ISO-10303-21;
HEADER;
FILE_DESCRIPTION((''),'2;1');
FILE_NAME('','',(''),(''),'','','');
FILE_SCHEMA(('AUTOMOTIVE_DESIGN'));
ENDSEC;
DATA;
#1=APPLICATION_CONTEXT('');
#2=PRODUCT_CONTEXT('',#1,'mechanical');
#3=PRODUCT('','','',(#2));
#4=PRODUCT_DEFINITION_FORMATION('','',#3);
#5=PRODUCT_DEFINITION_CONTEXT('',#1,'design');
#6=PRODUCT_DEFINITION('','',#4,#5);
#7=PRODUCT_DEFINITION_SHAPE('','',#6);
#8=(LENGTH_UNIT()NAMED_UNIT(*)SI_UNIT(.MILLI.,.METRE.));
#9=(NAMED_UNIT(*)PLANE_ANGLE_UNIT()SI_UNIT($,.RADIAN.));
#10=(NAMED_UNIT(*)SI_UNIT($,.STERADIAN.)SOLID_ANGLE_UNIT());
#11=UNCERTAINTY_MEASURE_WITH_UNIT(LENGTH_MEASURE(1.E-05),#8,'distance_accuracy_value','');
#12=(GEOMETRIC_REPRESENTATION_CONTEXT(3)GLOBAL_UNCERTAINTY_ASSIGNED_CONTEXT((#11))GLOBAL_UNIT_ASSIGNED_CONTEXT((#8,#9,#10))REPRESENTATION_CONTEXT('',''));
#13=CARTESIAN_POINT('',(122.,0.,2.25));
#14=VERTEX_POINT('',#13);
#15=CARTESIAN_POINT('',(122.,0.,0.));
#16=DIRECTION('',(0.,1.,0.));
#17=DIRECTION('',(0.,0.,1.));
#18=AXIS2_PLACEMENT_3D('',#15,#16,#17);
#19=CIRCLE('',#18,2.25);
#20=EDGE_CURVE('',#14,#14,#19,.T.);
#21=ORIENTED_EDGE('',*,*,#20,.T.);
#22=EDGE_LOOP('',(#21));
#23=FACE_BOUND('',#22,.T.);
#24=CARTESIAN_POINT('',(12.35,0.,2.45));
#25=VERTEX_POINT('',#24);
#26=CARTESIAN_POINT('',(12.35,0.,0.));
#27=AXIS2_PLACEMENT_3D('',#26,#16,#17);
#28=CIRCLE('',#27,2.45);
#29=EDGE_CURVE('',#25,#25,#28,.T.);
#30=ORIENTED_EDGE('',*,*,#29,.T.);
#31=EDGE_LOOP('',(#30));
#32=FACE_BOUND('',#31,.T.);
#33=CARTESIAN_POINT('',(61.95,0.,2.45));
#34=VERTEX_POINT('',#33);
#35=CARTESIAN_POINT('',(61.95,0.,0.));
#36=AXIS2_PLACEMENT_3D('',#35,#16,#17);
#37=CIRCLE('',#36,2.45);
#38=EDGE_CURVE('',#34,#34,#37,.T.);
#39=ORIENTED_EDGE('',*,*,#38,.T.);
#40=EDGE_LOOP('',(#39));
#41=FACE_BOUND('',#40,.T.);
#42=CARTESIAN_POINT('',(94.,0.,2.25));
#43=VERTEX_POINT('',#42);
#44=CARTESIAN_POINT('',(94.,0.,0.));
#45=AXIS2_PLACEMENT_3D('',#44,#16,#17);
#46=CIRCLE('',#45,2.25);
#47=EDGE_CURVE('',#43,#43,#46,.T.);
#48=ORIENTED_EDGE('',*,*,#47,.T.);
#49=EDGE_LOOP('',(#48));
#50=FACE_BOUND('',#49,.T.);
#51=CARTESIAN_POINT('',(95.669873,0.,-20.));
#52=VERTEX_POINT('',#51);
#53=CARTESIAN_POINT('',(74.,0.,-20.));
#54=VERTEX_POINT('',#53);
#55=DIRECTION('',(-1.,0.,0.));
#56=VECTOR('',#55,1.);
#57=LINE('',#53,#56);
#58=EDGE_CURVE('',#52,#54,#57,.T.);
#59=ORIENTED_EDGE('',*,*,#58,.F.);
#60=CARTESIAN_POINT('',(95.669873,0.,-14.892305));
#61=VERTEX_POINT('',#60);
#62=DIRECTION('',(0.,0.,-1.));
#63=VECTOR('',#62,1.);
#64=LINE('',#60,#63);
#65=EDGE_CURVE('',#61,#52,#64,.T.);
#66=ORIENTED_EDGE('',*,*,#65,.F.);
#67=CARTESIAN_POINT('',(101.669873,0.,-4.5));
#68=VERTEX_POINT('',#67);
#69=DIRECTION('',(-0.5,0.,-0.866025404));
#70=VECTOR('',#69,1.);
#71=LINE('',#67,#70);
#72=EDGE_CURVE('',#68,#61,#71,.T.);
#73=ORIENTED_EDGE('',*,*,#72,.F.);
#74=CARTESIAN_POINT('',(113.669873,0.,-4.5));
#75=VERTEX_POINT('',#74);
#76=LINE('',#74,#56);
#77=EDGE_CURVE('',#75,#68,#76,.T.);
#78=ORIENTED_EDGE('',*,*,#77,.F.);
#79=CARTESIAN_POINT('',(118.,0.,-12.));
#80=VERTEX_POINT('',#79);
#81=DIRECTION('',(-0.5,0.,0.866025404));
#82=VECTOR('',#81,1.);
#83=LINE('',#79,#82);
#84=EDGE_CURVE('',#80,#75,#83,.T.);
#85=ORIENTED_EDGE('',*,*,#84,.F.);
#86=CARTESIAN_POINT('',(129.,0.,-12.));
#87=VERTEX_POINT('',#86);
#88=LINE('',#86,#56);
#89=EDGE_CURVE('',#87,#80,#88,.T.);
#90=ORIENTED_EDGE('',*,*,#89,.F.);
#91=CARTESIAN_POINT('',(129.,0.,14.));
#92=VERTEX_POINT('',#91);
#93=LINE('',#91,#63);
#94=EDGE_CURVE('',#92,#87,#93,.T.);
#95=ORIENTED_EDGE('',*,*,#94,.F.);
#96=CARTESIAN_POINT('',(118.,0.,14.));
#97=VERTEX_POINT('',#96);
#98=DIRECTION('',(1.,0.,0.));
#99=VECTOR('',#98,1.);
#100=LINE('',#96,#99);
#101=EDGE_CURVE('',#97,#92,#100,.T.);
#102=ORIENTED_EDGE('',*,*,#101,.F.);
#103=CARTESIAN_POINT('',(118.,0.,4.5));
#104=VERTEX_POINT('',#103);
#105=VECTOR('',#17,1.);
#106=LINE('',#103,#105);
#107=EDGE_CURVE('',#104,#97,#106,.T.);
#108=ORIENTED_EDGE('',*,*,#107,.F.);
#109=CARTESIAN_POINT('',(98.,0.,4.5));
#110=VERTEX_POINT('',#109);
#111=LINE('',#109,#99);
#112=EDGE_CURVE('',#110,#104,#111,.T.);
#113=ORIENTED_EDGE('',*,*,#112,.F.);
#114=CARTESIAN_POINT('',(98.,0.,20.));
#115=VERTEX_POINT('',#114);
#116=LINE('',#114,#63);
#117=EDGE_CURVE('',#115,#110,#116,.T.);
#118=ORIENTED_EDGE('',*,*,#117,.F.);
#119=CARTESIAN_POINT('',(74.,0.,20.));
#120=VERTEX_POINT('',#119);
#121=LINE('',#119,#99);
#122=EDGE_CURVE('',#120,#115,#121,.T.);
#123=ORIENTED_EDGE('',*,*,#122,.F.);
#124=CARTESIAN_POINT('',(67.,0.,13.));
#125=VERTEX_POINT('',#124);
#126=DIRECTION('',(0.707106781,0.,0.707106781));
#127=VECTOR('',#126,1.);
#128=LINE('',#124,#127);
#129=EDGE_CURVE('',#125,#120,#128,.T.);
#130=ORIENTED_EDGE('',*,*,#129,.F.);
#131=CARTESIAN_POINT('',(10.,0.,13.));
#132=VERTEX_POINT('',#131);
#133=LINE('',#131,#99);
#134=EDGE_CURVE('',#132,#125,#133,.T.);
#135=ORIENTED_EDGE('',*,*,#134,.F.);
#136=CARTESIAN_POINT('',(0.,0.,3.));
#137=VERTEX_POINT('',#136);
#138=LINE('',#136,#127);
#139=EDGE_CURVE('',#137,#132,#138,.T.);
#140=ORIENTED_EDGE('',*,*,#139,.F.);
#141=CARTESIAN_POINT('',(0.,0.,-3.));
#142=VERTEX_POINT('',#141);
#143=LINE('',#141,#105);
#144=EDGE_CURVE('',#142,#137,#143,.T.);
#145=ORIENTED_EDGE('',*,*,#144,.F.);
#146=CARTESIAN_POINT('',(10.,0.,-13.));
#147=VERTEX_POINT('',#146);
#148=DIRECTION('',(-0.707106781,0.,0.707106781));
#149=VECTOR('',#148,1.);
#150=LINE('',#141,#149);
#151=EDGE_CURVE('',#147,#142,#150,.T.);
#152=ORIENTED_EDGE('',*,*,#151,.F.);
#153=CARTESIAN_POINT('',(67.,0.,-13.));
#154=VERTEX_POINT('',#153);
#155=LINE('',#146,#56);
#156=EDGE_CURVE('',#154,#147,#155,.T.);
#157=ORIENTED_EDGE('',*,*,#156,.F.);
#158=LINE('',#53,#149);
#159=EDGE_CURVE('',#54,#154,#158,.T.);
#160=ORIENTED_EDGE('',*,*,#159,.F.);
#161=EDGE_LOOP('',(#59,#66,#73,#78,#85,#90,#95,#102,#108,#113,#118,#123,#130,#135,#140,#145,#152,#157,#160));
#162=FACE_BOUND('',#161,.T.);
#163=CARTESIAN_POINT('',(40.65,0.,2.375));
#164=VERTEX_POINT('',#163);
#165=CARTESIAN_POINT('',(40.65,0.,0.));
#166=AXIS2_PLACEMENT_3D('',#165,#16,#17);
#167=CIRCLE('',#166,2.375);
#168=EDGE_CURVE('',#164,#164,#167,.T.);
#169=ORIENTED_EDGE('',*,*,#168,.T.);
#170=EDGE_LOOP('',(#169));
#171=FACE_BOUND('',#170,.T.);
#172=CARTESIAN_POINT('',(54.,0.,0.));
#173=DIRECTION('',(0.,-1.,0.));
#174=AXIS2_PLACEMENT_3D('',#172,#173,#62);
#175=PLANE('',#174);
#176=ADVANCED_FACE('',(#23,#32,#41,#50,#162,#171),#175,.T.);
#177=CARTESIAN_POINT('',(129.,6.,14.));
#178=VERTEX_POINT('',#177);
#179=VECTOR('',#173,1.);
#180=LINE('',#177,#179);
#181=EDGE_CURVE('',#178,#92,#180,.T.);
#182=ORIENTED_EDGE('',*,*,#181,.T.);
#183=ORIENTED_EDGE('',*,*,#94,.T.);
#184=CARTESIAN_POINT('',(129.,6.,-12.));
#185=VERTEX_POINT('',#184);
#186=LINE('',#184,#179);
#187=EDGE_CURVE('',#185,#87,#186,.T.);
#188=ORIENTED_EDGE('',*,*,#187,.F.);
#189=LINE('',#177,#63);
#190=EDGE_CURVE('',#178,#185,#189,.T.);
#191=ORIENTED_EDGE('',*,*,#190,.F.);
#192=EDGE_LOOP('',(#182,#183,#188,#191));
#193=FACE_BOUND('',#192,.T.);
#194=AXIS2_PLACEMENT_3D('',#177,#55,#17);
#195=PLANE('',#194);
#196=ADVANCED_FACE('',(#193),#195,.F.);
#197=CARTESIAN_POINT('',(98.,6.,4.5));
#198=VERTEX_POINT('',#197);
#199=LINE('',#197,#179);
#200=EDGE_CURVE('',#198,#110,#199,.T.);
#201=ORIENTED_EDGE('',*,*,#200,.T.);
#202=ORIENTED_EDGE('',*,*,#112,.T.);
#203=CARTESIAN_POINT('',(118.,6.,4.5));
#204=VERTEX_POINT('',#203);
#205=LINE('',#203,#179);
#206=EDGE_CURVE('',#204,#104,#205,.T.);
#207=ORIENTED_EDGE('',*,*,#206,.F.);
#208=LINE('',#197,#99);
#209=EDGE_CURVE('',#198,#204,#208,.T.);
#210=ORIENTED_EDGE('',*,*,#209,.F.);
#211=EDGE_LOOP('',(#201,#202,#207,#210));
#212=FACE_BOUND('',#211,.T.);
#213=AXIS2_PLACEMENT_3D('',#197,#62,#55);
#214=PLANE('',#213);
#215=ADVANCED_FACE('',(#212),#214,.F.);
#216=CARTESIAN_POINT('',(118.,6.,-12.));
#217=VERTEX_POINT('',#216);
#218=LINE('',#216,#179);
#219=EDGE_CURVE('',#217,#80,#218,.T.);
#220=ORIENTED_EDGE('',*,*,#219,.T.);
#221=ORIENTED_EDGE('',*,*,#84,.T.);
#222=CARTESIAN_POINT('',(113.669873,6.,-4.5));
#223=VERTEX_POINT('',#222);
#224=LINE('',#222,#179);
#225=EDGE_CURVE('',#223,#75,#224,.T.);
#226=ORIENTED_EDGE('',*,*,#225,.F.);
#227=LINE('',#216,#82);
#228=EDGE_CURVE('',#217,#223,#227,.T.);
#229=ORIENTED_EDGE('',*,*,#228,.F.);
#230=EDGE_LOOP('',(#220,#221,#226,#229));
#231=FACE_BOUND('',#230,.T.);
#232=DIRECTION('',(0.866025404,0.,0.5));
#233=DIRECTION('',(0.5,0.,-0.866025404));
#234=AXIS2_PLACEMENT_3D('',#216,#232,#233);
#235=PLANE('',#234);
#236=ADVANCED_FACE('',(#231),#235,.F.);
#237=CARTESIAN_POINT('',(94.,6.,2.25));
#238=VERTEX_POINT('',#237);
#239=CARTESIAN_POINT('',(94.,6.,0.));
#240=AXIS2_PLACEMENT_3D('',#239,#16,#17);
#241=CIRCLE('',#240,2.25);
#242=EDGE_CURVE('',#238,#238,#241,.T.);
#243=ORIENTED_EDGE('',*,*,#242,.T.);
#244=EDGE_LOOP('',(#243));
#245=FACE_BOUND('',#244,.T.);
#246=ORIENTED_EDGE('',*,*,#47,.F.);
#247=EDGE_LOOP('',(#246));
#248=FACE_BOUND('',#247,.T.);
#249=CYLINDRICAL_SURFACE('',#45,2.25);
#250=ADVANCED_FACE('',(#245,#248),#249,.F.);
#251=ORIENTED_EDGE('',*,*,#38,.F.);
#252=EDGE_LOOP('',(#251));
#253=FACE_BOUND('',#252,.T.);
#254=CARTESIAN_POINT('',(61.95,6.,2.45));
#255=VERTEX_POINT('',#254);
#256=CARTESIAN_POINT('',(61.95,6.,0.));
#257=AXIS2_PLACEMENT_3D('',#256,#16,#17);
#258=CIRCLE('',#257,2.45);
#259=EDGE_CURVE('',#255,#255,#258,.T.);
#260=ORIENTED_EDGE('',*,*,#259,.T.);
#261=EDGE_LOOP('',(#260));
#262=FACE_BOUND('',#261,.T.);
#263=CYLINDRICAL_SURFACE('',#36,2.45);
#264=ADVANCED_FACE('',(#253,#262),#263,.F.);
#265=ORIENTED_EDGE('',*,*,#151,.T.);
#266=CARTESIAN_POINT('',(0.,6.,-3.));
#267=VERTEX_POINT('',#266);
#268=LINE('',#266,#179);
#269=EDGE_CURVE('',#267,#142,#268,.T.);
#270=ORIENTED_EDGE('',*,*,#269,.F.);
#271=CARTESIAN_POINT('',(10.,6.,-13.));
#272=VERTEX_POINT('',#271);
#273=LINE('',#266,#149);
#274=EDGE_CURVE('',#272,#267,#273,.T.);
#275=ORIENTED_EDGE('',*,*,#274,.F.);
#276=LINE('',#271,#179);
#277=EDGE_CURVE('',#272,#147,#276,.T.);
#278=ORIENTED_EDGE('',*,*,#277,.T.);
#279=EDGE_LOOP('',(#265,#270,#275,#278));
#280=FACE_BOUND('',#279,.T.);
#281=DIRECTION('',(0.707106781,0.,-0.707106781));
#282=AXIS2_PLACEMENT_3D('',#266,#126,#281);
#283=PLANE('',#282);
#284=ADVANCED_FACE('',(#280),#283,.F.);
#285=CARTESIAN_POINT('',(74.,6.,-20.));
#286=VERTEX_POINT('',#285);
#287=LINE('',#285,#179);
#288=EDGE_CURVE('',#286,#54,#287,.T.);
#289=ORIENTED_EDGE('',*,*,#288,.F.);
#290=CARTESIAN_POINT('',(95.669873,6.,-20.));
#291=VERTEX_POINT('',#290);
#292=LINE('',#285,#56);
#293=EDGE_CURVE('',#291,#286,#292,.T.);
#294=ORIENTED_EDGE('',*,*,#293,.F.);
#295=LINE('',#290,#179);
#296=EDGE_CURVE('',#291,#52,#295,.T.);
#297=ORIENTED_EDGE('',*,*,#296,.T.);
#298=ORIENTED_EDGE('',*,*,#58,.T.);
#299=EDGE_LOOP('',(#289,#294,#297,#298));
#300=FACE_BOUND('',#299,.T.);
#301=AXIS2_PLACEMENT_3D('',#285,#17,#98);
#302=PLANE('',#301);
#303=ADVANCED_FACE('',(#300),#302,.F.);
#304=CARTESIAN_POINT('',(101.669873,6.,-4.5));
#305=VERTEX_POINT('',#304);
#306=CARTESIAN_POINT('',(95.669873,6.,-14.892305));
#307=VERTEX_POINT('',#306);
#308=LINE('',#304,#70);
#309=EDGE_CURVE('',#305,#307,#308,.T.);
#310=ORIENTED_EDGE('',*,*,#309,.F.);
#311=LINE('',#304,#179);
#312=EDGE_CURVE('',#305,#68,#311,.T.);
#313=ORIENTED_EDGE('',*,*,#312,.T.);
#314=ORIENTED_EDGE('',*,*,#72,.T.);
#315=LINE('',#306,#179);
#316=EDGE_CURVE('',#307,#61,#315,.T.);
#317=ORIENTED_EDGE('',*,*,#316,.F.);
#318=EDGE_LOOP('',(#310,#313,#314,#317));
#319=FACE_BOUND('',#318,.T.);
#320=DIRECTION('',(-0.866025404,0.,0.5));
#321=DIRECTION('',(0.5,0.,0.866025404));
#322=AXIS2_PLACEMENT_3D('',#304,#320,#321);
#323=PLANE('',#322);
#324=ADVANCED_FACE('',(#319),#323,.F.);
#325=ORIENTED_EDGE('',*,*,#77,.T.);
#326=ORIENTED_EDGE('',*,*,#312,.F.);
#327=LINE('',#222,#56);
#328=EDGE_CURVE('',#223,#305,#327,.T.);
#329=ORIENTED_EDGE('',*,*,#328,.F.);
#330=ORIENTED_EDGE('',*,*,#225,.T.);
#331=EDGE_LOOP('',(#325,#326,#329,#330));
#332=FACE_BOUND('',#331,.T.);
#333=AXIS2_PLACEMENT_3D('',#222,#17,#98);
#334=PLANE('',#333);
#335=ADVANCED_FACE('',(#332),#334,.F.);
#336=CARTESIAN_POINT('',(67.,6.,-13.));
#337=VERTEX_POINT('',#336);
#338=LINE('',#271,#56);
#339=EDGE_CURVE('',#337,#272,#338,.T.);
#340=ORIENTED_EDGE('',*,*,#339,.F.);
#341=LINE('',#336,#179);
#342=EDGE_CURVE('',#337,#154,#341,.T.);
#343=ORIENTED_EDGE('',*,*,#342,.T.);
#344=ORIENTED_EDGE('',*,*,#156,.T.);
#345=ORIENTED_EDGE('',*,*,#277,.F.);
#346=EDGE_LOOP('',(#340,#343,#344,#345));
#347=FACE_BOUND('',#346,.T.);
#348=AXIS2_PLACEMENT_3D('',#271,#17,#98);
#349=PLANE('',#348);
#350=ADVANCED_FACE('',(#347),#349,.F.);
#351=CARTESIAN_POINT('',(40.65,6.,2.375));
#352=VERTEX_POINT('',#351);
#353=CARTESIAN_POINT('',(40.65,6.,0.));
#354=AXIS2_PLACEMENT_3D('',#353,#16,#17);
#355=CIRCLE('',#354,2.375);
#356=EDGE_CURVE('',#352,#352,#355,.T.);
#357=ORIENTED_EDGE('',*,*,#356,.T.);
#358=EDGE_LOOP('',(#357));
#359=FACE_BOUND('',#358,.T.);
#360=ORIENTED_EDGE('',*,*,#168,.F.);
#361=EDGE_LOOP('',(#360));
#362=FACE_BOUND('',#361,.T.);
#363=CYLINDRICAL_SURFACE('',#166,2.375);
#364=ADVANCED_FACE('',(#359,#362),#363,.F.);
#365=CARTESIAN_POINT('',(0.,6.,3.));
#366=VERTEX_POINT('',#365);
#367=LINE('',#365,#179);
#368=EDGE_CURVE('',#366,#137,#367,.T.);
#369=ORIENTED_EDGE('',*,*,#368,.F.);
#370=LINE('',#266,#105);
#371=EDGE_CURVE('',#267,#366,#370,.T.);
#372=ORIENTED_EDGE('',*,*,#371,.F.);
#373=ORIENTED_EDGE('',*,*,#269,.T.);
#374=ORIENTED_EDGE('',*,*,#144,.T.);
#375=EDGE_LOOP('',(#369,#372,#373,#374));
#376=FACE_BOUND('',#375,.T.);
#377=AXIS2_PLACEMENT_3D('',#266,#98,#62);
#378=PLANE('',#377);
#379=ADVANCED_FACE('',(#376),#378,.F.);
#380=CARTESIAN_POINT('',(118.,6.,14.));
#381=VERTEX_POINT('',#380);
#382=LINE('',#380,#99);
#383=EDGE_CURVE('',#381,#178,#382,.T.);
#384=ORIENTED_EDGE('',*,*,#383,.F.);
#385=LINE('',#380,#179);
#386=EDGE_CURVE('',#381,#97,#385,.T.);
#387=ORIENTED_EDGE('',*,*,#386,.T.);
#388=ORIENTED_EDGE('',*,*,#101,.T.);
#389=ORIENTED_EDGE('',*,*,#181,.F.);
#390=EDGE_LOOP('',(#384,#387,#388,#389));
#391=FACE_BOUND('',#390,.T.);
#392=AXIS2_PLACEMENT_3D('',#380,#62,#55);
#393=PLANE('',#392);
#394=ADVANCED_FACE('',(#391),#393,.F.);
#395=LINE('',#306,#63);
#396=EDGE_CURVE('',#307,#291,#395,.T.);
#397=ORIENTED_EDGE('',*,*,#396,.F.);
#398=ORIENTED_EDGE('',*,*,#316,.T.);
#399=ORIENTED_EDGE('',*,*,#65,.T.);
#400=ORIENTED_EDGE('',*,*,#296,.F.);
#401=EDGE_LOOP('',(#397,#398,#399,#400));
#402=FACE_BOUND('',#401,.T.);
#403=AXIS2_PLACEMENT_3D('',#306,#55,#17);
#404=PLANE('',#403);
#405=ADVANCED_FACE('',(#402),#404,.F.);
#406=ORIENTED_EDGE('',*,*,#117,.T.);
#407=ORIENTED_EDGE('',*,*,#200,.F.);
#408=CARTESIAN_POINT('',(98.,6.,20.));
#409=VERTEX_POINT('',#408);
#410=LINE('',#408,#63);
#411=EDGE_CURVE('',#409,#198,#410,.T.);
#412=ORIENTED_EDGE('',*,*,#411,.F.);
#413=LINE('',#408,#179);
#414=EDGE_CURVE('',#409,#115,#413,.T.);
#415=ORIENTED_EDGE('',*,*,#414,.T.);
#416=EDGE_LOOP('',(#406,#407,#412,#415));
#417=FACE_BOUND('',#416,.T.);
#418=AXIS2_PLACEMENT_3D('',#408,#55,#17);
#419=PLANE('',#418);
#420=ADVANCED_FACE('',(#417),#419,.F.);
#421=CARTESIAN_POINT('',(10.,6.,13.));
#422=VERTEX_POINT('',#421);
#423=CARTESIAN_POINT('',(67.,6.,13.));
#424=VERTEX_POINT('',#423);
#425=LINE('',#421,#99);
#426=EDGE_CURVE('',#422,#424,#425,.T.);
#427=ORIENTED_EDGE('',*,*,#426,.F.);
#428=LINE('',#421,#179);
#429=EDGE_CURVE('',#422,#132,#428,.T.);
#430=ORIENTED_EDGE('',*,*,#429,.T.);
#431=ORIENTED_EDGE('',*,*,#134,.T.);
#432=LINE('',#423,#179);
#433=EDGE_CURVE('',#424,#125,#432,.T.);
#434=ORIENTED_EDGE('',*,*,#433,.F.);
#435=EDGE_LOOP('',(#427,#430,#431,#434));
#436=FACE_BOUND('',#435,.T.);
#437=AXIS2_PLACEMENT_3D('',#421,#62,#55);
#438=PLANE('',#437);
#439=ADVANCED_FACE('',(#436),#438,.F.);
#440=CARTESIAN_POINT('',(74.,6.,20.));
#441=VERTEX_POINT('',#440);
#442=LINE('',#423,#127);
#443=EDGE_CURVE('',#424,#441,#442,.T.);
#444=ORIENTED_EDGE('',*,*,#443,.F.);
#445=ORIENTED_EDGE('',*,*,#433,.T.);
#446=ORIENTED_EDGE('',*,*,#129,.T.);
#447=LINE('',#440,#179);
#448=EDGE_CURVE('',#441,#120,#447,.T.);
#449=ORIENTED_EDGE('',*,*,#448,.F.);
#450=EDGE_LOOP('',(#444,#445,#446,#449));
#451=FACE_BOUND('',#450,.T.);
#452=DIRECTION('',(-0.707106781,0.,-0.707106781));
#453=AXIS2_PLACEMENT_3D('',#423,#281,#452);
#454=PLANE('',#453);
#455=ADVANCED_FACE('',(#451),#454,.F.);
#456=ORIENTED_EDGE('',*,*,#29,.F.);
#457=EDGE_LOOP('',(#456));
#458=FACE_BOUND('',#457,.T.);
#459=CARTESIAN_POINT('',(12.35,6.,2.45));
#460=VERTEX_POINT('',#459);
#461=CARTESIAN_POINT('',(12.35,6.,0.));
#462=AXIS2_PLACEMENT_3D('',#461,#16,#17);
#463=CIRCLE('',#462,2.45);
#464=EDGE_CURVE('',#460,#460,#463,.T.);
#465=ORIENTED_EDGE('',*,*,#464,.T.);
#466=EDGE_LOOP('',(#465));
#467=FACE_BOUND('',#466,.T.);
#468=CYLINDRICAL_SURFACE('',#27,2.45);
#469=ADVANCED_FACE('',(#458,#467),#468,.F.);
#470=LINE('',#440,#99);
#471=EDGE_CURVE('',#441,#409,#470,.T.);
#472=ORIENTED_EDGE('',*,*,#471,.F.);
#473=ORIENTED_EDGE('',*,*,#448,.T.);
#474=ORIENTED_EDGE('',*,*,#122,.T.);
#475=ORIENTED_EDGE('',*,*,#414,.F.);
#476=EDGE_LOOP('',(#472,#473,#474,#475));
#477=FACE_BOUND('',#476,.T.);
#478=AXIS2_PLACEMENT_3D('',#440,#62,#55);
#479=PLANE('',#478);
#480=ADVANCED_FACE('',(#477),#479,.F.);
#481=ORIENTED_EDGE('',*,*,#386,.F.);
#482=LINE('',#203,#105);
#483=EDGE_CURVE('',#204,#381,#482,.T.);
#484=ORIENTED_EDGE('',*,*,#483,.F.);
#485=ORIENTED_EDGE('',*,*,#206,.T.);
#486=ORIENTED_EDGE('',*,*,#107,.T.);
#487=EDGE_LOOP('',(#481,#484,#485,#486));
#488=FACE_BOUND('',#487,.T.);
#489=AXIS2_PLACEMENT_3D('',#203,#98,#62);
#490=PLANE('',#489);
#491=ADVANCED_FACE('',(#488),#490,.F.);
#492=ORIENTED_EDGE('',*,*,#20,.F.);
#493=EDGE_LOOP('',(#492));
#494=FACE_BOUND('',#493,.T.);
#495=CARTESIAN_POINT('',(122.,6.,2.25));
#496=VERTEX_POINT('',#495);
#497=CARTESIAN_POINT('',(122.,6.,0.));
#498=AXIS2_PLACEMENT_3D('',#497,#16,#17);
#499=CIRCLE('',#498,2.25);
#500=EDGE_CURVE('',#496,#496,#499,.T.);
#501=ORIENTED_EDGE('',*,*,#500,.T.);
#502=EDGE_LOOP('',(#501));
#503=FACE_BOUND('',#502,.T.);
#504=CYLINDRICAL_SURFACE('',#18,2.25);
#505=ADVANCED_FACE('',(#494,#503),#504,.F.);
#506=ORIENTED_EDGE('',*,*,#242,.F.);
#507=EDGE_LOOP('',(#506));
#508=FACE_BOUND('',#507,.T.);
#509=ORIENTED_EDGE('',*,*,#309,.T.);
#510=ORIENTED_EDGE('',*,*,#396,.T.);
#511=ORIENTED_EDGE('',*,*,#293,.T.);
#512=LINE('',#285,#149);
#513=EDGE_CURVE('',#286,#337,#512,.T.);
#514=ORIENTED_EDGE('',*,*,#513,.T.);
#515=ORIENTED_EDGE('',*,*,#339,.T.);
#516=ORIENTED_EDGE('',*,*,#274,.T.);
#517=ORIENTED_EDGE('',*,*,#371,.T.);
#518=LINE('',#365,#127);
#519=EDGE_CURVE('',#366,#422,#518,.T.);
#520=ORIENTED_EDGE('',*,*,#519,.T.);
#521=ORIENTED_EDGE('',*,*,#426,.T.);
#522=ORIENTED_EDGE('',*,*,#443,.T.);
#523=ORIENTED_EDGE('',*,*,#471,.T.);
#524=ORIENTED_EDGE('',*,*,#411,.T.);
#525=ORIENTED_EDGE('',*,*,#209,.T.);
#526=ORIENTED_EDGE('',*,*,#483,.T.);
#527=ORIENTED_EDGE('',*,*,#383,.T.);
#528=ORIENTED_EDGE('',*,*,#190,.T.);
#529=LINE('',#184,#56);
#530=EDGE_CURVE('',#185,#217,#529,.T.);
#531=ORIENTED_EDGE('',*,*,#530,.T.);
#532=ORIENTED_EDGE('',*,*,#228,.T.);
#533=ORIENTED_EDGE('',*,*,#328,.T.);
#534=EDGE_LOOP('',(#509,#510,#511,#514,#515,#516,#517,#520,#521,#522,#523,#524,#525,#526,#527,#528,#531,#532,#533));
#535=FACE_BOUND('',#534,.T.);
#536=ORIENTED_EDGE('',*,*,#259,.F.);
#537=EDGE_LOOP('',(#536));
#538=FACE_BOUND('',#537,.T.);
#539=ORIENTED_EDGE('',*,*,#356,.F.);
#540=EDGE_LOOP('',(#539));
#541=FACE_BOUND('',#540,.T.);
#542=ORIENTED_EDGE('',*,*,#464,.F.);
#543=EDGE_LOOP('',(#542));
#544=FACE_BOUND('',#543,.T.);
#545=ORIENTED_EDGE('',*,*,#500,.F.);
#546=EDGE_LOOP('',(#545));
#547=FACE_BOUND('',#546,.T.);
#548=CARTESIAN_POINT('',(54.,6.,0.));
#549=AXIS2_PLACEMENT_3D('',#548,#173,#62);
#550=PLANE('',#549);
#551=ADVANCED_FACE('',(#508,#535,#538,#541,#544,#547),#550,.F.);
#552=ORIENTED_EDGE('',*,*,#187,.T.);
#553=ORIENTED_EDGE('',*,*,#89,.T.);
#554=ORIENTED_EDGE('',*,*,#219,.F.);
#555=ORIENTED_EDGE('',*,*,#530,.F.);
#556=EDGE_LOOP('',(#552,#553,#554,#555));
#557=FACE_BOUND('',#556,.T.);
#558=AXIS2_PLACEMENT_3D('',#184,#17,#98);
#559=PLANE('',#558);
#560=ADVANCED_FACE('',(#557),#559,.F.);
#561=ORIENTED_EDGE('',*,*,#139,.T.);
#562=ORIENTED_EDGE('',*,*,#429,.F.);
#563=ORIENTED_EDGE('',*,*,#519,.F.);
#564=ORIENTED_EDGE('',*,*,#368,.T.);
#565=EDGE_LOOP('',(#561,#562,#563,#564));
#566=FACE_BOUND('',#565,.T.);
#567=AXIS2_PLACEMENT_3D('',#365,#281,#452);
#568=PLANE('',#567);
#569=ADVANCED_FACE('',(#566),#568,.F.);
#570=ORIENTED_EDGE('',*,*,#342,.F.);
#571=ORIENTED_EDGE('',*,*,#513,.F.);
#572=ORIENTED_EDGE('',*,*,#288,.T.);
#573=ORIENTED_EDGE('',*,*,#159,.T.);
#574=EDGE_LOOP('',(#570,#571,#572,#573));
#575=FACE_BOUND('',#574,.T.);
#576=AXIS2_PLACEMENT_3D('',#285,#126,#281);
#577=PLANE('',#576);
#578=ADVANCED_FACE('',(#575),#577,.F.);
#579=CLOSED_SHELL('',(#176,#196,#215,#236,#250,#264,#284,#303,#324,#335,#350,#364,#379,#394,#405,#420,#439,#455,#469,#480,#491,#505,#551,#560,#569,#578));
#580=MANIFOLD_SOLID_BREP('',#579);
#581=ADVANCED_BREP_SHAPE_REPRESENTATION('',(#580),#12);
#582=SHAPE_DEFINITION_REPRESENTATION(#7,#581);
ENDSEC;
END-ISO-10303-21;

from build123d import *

# Parameters (mm, degrees)
BOSS_EXTRUDE1_DEPTH = 6
SKETCH2_R           = 2.45
SKETCH2_R_2         = 2.375
SKETCH2_R_3         = 2.25
CUT_EXTRUDE1_DEPTH  = 7


with BuildPart() as part:
    # Sketch1 → Boss-Extrude1 (new body)
    with BuildSketch(Plane(origin=(0, 0, 0), x_dir=(1, 0, 0), z_dir=(0, 1, 0))):
        Polygon((10, 13), (67, 13), (74, 20), (95.669872981, 20), (95.669872981, 14.892304845), (101.669872981, 4.5), (113.669872981, 4.5), (118, 12), (129, 12), (129, -14), (118, -14), (118, -4.5), (98, -4.5), (98, -20), (74, -20), (67, -13), (10, -13), (0, -3), (0, 3), align=None)
    extrude(amount=BOSS_EXTRUDE1_DEPTH)

    # Sketch2 → Cut-Extrude1 (cut, through all)
    with BuildSketch(Plane(origin=(0, 6, 0), x_dir=(1, 0, 0), z_dir=(0, 1, 0))):
        with Locations((12.35, 0)):
            Circle(SKETCH2_R)
        with Locations((40.65, 0)):
            Circle(SKETCH2_R_2)
        with Locations((61.95, 0)):
            Circle(SKETCH2_R)
        with Locations((94, 0)):
            Circle(SKETCH2_R_3)
        with Locations((122, 0)):
            Circle(SKETCH2_R_3)
    extrude(amount=-CUT_EXTRUDE1_DEPTH, mode=Mode.SUBTRACT)


solid = part.part
